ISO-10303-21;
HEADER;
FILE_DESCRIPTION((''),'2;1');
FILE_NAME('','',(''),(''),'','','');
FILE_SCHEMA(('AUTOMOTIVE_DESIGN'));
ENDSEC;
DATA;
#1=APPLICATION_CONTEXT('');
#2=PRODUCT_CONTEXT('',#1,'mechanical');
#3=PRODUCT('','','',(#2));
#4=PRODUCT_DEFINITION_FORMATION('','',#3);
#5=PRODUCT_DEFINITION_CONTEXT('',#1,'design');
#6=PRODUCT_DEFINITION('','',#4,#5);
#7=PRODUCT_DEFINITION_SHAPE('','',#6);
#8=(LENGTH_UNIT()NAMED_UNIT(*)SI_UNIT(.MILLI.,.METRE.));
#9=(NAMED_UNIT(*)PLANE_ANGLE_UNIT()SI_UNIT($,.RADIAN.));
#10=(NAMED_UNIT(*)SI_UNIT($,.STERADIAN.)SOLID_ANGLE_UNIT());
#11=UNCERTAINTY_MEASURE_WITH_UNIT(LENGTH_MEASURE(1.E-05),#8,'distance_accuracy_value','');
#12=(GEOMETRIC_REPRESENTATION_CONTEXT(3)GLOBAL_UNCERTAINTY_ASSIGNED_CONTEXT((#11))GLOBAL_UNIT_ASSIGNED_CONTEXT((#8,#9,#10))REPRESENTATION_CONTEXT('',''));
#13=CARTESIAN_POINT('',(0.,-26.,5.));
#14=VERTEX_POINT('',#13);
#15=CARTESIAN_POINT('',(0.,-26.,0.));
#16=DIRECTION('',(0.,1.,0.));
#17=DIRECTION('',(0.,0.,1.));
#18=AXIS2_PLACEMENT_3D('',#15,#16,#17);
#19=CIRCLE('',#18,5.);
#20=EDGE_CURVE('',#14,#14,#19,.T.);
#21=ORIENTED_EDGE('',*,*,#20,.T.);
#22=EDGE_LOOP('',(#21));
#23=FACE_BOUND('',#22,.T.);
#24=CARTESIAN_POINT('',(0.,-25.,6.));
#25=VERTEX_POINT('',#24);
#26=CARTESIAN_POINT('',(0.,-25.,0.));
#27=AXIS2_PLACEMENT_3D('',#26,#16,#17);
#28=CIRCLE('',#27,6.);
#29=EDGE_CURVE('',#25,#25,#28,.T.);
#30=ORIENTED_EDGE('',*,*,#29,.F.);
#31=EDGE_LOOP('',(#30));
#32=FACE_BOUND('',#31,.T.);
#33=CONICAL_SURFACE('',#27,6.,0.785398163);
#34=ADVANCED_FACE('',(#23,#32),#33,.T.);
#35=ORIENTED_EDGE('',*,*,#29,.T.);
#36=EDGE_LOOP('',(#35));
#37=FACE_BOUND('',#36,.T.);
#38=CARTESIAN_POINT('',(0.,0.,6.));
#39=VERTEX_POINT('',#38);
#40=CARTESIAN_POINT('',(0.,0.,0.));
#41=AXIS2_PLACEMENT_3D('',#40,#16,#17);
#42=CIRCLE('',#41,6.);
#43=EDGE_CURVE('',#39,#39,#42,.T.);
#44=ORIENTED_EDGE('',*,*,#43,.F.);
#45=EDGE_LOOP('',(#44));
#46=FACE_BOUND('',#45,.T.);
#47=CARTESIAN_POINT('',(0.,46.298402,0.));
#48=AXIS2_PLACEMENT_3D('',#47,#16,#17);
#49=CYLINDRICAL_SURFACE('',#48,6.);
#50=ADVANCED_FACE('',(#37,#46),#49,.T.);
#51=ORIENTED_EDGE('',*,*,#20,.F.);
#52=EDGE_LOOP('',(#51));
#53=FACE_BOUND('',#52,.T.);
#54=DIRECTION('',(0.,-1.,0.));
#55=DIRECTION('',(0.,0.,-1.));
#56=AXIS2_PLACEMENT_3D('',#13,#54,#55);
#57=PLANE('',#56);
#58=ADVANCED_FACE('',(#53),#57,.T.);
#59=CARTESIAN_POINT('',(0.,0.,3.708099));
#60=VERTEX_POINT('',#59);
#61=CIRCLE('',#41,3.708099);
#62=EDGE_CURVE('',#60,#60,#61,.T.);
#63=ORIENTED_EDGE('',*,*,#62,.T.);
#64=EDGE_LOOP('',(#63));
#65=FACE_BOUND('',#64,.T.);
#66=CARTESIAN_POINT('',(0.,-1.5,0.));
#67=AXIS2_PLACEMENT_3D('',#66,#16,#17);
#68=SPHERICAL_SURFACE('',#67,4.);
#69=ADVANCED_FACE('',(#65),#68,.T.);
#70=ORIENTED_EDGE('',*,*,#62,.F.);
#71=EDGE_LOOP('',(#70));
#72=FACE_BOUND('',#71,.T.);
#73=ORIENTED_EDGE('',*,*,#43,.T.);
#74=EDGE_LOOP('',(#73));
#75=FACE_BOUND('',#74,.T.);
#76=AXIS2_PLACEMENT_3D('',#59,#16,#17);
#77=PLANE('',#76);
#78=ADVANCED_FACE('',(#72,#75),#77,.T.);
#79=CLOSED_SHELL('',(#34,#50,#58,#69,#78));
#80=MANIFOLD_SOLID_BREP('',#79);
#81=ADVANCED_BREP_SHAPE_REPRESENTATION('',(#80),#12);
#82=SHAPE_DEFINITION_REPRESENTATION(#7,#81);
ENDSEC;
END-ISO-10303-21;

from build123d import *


with BuildPart() as part:
    # 草图1 → 旋转1 (revolve)
    with BuildSketch(Plane(origin=(0, 0, 0), x_dir=(0, 0, -1), z_dir=(1, 0, 0))):
        with BuildLine():
            Line((-3.708099244, 0), (-6, 0))
            Line((-6, 0), (-6, -25))
            Line((-6, -25), (-5, -26))
            Line((-5, -26), (0, -26))
            Line((0, -26), (0, 2.5))
            ThreePointArc((0, 2.5), (-2.236067977, 1.81662479), (-3.708099244, 0))
        make_face()
    revolve(axis=Axis((0, 46.298402486, 0), (0, -1, 0)))


solid = part.part
